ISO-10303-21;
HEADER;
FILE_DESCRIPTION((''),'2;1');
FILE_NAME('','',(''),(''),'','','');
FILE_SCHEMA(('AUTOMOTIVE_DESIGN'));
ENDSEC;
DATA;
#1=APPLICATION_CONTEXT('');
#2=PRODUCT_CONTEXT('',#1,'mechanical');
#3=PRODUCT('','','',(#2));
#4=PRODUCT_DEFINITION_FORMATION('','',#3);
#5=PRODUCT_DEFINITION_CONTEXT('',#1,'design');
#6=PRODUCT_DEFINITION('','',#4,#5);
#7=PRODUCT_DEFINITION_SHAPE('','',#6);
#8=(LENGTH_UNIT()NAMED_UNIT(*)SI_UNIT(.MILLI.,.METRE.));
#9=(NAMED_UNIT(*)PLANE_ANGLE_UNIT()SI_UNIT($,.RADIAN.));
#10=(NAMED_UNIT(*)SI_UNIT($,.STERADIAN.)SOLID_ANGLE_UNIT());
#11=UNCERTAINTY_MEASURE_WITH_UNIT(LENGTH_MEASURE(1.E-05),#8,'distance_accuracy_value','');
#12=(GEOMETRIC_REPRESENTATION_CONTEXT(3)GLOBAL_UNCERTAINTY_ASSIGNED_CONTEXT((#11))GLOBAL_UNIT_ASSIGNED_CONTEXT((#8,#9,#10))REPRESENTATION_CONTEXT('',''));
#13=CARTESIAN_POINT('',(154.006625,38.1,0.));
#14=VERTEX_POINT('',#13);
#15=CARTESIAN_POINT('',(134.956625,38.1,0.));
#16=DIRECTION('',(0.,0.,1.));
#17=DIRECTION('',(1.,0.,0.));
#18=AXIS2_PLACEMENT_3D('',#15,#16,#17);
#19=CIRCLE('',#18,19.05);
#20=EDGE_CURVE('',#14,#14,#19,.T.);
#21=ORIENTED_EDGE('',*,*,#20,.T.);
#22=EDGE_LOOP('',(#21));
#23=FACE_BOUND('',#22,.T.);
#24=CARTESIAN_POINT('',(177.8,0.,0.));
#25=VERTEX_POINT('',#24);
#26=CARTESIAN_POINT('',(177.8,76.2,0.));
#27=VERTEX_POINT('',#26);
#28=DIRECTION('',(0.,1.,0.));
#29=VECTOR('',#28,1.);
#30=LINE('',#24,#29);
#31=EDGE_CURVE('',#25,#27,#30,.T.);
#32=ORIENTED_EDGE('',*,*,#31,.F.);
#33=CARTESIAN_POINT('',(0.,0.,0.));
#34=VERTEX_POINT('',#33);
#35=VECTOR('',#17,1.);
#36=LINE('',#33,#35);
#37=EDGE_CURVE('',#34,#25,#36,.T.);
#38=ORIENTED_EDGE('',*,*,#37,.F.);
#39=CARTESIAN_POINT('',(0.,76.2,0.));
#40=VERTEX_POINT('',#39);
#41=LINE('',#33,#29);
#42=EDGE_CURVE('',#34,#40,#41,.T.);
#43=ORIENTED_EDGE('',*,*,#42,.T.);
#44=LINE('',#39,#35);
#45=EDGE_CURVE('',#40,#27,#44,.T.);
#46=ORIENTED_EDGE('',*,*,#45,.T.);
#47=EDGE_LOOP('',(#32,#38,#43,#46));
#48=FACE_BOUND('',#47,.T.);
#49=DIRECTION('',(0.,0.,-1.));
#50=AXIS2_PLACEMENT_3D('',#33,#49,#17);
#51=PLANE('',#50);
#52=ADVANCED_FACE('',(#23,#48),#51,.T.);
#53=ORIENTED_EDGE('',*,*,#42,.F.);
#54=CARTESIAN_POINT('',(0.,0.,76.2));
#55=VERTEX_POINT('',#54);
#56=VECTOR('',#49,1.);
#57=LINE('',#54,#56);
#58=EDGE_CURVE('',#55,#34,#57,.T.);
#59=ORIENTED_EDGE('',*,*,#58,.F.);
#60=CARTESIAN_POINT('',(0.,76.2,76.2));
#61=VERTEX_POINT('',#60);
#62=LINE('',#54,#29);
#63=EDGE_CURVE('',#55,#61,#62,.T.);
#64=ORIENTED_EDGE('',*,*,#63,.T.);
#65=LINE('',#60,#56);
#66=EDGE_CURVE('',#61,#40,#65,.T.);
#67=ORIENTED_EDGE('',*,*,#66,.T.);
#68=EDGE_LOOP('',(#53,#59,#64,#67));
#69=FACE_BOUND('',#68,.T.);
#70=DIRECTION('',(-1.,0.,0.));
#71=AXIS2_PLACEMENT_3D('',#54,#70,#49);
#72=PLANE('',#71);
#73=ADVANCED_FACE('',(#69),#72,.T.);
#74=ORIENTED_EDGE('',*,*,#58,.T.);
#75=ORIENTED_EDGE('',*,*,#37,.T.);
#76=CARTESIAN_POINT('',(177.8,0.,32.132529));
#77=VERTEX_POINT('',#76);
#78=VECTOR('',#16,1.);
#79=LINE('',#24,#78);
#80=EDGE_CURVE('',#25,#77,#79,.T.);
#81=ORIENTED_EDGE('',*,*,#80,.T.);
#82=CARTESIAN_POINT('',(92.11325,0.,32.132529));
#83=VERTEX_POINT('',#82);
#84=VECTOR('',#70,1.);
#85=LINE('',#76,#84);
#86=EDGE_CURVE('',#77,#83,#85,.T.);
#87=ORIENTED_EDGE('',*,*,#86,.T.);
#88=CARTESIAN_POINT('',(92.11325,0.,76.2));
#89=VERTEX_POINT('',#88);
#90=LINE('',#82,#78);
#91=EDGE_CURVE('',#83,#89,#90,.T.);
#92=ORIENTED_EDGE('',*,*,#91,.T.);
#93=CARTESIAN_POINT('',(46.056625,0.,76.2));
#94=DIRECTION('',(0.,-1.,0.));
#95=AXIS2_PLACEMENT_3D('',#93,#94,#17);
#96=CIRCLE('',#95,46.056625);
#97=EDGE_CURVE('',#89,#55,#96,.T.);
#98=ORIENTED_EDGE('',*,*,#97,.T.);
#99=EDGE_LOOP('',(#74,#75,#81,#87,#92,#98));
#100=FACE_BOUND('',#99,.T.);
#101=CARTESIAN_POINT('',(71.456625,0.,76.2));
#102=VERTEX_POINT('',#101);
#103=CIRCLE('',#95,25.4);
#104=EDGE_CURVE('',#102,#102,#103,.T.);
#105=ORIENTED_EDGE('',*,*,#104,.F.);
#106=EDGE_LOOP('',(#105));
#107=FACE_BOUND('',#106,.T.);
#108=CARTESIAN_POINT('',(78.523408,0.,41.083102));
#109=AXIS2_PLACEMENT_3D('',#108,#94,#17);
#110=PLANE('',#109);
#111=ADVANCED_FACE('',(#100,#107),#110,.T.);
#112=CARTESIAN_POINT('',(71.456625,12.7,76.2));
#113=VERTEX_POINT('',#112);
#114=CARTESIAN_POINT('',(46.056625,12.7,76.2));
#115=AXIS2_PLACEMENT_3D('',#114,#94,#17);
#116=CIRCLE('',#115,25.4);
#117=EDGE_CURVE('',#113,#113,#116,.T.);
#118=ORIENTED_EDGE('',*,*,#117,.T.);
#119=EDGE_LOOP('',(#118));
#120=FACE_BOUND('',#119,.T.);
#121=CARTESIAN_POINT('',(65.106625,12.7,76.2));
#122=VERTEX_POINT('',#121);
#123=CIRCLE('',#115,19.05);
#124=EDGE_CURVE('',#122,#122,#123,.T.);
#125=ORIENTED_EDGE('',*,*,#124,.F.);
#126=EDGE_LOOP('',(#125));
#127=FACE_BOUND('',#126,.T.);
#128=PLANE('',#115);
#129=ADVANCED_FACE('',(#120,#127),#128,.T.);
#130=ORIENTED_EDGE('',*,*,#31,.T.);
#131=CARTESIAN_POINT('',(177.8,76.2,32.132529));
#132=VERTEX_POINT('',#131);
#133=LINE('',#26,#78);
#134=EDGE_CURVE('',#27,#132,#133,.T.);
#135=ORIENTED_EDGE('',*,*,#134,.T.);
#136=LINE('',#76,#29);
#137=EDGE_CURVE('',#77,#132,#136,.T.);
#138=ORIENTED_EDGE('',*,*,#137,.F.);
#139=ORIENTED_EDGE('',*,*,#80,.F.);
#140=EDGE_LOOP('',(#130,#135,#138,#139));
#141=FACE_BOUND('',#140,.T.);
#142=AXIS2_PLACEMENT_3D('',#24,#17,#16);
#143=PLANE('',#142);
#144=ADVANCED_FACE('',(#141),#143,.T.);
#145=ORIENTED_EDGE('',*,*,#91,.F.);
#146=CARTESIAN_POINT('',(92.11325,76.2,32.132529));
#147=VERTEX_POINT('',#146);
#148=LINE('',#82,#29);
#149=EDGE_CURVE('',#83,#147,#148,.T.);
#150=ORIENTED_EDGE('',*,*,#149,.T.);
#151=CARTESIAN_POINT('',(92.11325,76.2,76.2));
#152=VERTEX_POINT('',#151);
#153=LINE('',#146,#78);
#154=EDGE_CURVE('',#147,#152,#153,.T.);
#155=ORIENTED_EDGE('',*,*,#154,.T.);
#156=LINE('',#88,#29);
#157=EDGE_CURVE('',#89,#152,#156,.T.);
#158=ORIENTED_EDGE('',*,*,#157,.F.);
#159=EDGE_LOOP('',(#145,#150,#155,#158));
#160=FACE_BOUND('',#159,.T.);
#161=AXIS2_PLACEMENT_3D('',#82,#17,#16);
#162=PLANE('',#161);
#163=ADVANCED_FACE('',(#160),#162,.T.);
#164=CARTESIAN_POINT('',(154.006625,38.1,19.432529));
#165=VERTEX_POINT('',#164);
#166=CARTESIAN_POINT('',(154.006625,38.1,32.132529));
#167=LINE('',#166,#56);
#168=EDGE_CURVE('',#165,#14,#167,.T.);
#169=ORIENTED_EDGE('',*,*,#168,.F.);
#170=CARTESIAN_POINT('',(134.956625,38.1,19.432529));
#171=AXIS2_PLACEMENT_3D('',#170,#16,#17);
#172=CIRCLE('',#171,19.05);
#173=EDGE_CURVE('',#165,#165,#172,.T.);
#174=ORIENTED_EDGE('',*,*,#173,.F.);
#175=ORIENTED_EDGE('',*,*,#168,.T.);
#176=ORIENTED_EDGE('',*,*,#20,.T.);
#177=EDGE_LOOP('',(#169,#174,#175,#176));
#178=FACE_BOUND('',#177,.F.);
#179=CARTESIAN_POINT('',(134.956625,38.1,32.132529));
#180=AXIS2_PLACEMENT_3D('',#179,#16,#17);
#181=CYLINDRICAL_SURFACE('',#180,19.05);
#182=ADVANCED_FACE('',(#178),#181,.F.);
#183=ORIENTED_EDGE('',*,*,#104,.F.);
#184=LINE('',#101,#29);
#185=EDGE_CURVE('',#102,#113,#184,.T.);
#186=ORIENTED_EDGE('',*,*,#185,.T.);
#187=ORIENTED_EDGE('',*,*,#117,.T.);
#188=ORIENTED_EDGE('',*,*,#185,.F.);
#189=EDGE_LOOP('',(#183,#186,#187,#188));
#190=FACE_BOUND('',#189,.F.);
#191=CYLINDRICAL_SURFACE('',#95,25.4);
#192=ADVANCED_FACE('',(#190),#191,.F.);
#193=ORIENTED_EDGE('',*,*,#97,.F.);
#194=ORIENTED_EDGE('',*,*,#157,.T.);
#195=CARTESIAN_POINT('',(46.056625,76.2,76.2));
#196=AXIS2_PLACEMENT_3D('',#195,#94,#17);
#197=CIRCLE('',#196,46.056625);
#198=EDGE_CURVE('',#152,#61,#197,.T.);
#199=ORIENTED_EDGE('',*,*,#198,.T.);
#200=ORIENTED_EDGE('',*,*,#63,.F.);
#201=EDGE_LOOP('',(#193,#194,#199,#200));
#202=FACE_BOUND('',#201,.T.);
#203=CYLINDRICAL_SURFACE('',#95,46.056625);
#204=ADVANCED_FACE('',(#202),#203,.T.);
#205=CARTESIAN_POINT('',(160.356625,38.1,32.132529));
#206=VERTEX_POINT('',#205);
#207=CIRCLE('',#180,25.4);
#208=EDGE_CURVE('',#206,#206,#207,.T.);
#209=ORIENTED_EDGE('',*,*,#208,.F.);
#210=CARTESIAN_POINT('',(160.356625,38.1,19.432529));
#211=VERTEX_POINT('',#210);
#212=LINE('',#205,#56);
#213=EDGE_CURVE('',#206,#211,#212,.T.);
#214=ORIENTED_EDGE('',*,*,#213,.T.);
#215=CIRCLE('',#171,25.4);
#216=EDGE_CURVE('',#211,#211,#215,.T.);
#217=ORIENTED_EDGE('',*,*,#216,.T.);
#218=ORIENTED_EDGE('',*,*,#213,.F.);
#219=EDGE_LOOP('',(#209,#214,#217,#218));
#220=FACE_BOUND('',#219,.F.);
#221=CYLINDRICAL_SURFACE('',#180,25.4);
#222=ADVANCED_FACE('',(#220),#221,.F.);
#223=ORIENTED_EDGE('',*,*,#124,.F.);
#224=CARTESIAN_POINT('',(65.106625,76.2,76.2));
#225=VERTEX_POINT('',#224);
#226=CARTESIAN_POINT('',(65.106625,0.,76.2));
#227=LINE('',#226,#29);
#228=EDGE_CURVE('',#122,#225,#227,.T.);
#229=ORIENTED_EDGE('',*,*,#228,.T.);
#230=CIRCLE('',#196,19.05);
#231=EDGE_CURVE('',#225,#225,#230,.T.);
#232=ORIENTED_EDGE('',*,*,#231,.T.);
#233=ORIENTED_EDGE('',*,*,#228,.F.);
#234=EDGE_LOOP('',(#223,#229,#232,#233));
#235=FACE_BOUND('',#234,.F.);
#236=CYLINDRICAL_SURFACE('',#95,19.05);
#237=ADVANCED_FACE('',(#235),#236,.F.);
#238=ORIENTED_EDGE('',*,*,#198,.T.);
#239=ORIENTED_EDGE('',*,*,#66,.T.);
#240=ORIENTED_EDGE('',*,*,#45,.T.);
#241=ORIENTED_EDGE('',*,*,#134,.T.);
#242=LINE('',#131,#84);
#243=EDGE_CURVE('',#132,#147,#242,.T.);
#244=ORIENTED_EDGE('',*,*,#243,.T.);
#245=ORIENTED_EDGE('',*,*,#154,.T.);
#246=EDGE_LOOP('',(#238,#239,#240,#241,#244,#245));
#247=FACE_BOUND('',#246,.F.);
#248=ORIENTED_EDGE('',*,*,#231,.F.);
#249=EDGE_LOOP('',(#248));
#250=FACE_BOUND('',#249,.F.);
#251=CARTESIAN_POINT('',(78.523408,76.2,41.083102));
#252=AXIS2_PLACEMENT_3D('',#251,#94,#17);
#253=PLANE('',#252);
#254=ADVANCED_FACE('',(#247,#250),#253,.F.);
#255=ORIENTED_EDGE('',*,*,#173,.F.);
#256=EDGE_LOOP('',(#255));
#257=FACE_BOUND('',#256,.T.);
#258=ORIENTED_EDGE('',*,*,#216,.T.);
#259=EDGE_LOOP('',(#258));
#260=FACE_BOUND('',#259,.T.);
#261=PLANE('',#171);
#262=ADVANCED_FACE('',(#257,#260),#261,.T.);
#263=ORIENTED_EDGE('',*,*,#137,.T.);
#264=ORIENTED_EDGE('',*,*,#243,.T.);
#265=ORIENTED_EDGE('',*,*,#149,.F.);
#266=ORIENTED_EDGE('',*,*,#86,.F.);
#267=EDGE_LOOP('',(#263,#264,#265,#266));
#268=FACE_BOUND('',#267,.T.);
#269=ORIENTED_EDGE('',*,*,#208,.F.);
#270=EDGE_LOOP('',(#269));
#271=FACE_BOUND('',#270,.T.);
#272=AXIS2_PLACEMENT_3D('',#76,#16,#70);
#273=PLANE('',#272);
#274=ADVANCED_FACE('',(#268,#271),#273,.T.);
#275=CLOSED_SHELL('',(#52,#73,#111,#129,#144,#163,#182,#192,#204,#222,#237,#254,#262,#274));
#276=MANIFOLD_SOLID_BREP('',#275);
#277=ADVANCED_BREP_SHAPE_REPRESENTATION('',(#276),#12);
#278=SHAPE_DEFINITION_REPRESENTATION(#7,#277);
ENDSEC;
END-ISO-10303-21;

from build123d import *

# Parameters (mm, degrees)
F0_R     = 25.4
F0_R_2   = 19.05
F1_DEPTH = 76.2
F2_DEPTH = 12.7
F3_R     = 19.05
F4_DEPTH = 32.133529
F3_R_2   = 25.4
F5_DEPTH = 12.7


with BuildPart() as f1:
    # F0 (on Front) → F1 (new body)
    with BuildSketch(Plane.XZ):
        with BuildLine():
            Line((0, 76.2), (0, 0))
            Line((0, 0), (177.8, 0))
            Line((177.8, 0), (177.8, 32.132529))
            Line((177.8, 32.132529), (92.11325, 32.132529))
            Line((92.11325, 32.132529), (92.11325, 76.2))
            ThreePointArc((92.11325, 76.2), (46.056625, 122.256625), (0, 76.2))
        make_face()
        with Locations((46.056625, 76.2)):
            Circle(F0_R, mode=Mode.SUBTRACT)
        with Locations((46.056625, 76.2)):
            Circle(F0_R)
        with Locations((46.056625, 76.2)):
            Circle(F0_R_2, mode=Mode.SUBTRACT)
    extrude(amount=-F1_DEPTH)

    # F0 (on Front) → F2 (cut)
    with BuildSketch(Plane.XZ):
        with Locations((46.056625, 76.2)):
            Circle(F0_R)
        with Locations((46.056625, 76.2)):
            Circle(F0_R_2, mode=Mode.SUBTRACT)
    extrude(amount=-F2_DEPTH, mode=Mode.SUBTRACT)

    # F3 (on face) → F4 (cut, through all)
    with BuildSketch(Plane.XY.offset(32.132529)):
        with Locations((134.956625, 38.1)):
            Circle(F3_R)
    extrude(amount=-F4_DEPTH, mode=Mode.SUBTRACT)

    # F3 (on face) → F5 (cut)
    with BuildSketch(Plane.XY.offset(32.132529)):
        with Locations((134.956625, 38.1)):
            Circle(F3_R_2)
        with Locations((134.956625, 38.1)):
            Circle(F3_R, mode=Mode.SUBTRACT)
    extrude(amount=-F5_DEPTH, mode=Mode.SUBTRACT)


solid = f1.part
